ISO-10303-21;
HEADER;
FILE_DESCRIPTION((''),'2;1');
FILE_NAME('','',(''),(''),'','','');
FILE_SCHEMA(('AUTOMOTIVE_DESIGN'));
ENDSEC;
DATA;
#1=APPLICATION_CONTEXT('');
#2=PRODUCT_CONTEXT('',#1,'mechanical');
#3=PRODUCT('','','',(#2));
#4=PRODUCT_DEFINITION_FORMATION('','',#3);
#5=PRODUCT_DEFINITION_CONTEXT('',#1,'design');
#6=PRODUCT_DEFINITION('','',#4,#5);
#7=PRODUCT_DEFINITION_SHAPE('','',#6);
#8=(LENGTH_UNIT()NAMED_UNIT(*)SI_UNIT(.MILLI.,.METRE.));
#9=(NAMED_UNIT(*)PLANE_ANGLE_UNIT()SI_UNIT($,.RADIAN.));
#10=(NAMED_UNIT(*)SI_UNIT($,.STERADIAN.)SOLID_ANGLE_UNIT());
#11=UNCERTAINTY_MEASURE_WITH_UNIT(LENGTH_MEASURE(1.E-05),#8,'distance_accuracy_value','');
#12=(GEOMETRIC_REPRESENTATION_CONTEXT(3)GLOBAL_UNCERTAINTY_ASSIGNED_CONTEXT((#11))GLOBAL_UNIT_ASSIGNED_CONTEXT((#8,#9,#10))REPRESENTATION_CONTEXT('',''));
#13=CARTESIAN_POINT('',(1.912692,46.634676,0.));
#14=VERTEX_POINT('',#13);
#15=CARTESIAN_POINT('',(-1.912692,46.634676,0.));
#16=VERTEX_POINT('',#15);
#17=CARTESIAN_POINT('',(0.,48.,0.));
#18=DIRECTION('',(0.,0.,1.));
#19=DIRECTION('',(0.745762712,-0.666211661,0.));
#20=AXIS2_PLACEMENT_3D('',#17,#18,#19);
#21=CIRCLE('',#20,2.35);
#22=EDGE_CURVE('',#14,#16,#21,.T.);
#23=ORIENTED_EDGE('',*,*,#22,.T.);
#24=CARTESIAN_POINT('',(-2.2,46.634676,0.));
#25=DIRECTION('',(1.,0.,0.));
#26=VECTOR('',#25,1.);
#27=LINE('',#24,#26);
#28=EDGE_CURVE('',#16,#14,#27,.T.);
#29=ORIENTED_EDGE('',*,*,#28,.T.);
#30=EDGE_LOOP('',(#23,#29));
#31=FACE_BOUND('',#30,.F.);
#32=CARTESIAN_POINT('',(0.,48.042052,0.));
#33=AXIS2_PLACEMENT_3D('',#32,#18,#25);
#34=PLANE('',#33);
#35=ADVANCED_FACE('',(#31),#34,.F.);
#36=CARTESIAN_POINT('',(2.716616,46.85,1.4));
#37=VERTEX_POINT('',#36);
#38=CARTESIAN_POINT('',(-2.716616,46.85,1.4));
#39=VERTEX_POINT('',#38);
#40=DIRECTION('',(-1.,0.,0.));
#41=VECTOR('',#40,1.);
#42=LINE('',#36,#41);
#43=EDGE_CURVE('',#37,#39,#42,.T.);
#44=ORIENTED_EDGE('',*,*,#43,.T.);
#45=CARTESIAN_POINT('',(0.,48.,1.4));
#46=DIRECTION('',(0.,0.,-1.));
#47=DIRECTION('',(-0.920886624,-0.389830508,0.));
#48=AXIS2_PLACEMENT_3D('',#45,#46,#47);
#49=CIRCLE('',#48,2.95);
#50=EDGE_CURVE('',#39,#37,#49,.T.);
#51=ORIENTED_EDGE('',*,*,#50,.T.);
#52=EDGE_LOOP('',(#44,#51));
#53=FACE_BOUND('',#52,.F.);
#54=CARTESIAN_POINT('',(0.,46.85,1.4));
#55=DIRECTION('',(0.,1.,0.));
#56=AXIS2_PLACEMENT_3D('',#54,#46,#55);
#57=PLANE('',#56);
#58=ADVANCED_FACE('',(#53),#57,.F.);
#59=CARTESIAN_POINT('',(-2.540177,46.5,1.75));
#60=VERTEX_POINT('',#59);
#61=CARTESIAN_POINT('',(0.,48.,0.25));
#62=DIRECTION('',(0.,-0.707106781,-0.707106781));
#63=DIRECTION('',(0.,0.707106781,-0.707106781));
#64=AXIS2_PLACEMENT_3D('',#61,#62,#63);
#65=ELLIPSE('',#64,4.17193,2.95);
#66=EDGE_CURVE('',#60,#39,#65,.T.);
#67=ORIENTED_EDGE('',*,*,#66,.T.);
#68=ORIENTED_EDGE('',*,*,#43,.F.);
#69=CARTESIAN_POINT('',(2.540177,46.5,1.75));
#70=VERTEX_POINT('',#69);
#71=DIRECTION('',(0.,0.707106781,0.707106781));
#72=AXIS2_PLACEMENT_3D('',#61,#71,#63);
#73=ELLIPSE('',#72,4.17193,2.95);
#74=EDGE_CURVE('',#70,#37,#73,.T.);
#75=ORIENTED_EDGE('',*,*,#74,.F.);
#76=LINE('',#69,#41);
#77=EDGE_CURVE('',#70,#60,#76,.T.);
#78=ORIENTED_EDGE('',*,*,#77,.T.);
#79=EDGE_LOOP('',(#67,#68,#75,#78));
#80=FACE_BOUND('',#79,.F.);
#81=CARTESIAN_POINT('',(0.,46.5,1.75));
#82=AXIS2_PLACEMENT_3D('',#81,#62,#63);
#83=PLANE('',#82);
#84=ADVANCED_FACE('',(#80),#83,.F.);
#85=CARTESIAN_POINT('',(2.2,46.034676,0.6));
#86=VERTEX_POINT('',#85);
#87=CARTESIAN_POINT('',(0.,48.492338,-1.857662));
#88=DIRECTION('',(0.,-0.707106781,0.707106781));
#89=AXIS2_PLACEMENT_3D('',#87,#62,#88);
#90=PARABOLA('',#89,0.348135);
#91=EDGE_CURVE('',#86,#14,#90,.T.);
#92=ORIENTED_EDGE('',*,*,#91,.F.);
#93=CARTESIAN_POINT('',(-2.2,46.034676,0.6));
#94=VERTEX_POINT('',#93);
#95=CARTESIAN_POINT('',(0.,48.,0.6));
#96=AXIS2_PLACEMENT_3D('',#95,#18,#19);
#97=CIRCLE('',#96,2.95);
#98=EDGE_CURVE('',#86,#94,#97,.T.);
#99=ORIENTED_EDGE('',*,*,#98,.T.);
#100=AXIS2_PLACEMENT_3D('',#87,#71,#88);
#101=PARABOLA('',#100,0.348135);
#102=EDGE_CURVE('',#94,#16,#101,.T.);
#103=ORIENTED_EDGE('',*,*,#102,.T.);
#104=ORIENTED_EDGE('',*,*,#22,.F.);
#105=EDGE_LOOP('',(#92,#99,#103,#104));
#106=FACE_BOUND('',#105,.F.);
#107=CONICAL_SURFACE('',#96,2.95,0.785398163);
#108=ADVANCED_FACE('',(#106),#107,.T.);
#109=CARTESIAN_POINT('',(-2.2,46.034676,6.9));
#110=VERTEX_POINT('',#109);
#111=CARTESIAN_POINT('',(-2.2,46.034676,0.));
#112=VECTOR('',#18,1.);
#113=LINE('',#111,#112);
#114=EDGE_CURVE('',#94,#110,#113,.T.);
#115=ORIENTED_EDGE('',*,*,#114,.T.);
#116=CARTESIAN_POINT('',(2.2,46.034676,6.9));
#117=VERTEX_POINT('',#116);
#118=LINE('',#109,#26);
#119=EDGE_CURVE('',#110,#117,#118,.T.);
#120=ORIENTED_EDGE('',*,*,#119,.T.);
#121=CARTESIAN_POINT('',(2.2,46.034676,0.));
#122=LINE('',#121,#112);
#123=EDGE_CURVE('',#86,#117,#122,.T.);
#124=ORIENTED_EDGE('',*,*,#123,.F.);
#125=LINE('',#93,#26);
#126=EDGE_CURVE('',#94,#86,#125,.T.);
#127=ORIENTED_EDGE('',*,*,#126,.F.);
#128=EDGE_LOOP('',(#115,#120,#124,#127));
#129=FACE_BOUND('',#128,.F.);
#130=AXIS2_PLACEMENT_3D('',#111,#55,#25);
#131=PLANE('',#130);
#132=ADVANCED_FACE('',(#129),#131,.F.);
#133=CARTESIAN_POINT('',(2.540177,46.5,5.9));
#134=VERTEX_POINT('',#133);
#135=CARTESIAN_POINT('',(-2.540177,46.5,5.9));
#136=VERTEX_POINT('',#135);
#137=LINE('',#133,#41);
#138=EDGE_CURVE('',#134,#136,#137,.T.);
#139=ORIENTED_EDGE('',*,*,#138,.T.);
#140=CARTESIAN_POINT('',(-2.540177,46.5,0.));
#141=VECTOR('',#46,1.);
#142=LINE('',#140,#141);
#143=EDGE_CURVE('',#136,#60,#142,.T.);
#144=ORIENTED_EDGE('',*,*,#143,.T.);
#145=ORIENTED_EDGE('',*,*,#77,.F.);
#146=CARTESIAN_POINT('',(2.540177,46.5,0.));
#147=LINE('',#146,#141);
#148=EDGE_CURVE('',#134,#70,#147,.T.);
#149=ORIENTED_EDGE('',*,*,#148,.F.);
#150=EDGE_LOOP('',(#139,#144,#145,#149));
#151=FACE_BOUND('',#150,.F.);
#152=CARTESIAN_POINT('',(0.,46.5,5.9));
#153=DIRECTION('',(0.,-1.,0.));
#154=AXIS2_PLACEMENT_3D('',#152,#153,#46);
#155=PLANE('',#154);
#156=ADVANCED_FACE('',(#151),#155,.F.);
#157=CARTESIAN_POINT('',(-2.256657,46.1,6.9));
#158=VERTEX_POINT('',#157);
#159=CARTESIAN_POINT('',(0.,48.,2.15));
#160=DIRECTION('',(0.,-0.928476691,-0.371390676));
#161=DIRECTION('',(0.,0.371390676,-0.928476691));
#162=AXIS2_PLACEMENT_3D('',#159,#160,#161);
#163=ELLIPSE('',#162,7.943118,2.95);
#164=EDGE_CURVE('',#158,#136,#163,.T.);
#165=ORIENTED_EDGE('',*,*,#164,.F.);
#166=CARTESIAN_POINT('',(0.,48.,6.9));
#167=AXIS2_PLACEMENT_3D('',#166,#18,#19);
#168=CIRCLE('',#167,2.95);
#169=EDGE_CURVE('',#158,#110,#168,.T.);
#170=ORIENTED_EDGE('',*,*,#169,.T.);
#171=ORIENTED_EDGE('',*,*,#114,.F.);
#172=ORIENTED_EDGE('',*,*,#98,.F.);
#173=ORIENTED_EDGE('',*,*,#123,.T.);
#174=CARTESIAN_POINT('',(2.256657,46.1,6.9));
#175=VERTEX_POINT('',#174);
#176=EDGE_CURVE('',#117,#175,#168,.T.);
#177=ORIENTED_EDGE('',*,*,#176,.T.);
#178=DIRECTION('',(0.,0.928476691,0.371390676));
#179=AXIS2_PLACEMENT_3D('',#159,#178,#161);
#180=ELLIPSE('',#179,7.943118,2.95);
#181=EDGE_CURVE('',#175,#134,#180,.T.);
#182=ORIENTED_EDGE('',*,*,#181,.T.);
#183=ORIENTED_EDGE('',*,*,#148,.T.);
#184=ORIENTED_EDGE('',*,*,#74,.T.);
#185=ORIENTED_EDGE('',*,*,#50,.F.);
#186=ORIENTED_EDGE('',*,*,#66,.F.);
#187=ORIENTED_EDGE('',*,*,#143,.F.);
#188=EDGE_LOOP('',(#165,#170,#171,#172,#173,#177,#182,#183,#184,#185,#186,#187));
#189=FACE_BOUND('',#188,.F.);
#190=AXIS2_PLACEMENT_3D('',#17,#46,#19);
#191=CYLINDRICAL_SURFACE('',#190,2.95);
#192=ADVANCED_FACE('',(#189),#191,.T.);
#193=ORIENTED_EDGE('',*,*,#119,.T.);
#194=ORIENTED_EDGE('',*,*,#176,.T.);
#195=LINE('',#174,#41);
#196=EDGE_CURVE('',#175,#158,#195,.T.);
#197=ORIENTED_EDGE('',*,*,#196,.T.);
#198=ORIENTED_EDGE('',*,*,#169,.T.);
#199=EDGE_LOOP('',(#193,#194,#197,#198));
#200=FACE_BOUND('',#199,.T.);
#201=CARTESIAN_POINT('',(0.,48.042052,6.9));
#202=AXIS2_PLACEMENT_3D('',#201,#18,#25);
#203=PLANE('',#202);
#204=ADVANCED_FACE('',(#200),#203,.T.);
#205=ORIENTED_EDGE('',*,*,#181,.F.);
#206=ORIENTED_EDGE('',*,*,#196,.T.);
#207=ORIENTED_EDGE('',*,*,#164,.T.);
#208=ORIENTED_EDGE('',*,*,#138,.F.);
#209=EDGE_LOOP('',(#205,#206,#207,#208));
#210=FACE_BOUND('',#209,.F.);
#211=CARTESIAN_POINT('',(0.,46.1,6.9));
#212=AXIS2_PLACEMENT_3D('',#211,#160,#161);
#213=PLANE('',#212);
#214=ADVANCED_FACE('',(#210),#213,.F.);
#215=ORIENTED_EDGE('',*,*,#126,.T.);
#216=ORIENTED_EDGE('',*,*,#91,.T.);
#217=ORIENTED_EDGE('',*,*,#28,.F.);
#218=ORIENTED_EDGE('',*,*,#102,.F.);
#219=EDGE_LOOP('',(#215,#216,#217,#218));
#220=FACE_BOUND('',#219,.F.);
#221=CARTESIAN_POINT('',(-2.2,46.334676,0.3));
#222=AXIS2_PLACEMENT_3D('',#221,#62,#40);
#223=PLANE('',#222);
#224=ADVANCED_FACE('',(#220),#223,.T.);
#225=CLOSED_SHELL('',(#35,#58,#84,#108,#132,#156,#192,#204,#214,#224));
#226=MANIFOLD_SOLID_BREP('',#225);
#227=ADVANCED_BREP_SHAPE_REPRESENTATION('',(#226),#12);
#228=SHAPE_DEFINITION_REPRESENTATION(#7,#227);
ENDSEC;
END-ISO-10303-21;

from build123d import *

# Parameters (mm, degrees)
PAD007_DEPTH         = 6.9
POCKET005_DEPTH      = 2.951
POCKET005_DEPTH_BACK = 2.951
CHAMFER008_SIZE      = 0.6


with BuildPart() as part:
    # Sketch018 → Pad007 (new body)
    with BuildSketch(Plane.XY):
        with BuildLine():
            ThreePointArc((2.2, -1.9653244007), (0, 2.95), (-2.2, -1.9653244007))
            Line((-2.2, -1.9653244007), (2.2, -1.9653244007))
        make_face()
    extrude(amount=PAD007_DEPTH)

    # Sketch019 → Pocket005 (cut, two sides)
    with BuildSketch(Plane.YZ) as pocket005_sk:
        Polygon((-1.9, 6.9), (-1.5, 5.9), (-1.5, 1.75), (-1.15, 1.4), (5, 1.4), (5, 6.9), align=None)
    extrude(amount=-POCKET005_DEPTH, mode=Mode.SUBTRACT)
    extrude(pocket005_sk.sketch, amount=POCKET005_DEPTH_BACK, mode=Mode.SUBTRACT)

    # Chamfer008
    chamfer008_edges = [part.edges().sort_by_distance(p)[0] for p in [
        (0, 2.95, 0),
        (0, -1.965324, 0),
    ]]
    chamfer(chamfer008_edges, length=CHAMFER008_SIZE)


with BuildPart() as part_1:
    # Body058 placement: moved
    add(part.part.moved(Location((0, 48, 0))))


solid = part_1.part
